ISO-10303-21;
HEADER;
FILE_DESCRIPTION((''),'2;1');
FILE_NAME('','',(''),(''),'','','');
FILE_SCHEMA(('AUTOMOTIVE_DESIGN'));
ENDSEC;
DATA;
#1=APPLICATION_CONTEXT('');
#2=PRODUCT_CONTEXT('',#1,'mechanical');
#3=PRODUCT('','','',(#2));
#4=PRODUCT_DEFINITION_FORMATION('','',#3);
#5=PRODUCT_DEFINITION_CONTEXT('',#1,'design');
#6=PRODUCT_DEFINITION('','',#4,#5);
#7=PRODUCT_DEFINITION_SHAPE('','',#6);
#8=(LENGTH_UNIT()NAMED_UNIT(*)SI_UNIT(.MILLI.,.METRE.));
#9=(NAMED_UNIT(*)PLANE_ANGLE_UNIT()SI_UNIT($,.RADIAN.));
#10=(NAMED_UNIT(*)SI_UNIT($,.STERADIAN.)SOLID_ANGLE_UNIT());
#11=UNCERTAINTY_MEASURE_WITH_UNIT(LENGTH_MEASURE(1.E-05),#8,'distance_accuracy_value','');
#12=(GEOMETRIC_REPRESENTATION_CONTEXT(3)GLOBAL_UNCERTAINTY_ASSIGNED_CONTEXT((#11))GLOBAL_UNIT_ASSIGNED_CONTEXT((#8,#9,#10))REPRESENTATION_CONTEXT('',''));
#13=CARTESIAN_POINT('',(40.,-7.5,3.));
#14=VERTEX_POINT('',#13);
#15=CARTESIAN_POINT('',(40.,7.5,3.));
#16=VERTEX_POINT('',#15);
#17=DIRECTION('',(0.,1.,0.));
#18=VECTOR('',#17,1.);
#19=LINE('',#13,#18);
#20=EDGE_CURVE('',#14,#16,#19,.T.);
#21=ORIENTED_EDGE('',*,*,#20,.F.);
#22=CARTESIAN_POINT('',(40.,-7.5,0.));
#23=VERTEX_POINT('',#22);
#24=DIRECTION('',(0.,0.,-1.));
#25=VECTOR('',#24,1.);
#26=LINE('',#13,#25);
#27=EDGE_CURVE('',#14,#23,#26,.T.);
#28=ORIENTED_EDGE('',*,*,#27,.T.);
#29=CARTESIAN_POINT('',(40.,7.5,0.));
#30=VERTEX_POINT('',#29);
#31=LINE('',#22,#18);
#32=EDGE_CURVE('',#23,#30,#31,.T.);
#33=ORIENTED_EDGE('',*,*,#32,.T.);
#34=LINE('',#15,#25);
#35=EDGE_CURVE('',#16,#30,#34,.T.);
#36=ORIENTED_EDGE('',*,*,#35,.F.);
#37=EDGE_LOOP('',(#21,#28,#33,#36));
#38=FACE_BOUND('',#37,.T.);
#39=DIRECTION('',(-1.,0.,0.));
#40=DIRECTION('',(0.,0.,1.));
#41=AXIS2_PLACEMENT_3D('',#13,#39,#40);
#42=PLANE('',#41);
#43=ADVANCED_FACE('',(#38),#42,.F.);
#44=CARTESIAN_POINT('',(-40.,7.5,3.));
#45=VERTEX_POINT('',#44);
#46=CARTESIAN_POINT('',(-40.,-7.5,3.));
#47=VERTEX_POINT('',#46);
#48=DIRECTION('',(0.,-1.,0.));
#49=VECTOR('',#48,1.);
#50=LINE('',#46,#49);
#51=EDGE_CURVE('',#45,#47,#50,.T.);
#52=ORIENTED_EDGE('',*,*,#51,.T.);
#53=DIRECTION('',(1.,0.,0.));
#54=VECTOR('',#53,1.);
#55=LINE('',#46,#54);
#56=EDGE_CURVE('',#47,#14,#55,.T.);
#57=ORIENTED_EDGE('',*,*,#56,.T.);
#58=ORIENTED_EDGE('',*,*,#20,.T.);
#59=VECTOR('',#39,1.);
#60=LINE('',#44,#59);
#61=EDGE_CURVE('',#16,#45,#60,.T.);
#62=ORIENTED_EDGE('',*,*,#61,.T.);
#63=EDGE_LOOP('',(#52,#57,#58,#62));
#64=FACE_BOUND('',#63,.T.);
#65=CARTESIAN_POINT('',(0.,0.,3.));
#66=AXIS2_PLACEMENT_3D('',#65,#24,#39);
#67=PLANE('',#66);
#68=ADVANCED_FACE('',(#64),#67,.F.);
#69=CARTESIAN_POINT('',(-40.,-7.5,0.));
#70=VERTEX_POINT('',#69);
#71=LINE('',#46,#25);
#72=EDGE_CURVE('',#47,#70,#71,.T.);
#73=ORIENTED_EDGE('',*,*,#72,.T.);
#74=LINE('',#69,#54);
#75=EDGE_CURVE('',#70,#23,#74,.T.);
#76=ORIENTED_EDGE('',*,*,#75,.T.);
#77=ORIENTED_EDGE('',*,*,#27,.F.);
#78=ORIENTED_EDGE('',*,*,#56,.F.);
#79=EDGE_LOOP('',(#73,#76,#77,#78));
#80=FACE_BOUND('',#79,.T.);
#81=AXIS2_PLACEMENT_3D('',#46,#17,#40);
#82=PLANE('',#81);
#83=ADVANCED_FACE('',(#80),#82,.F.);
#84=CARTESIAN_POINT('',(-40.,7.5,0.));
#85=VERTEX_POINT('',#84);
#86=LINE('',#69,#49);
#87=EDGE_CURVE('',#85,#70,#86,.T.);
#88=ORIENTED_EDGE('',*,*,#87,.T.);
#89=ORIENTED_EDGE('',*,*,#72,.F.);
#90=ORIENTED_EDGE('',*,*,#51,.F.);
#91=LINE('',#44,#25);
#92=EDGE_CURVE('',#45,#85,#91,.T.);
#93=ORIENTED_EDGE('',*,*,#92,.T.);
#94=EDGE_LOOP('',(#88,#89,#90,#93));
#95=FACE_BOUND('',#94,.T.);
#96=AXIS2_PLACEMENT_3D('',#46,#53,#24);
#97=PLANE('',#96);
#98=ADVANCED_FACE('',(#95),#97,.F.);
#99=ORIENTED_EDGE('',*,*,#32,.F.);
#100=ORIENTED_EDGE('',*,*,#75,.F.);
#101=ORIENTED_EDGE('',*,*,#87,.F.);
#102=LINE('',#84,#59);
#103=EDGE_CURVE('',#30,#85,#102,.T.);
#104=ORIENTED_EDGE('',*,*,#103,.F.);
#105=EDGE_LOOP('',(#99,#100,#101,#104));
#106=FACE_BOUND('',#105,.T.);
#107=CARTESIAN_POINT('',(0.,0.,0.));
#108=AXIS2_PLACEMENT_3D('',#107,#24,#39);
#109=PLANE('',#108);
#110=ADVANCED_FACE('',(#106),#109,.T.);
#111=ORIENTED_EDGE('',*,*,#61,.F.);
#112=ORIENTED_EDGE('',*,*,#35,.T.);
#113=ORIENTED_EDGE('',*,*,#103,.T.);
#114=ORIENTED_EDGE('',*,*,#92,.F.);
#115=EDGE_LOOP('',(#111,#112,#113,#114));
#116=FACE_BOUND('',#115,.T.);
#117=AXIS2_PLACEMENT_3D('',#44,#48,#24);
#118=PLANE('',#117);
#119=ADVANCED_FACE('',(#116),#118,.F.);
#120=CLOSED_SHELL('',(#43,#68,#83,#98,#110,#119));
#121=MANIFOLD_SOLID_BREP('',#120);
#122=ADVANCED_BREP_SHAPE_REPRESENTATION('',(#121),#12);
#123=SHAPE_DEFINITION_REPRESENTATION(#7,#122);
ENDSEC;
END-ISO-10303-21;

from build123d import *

# Parameters (mm, degrees)
ESQUISSE1_W        = 80
ESQUISSE1_H        = 15
BOSS_EXTRU_1_DEPTH = 3


with BuildPart() as part:
    # Esquisse1 → Boss.-Extru.1 (new body)
    with BuildSketch(Plane.XY):
        Rectangle(ESQUISSE1_W, ESQUISSE1_H)
    extrude(amount=BOSS_EXTRU_1_DEPTH)


solid = part.part
